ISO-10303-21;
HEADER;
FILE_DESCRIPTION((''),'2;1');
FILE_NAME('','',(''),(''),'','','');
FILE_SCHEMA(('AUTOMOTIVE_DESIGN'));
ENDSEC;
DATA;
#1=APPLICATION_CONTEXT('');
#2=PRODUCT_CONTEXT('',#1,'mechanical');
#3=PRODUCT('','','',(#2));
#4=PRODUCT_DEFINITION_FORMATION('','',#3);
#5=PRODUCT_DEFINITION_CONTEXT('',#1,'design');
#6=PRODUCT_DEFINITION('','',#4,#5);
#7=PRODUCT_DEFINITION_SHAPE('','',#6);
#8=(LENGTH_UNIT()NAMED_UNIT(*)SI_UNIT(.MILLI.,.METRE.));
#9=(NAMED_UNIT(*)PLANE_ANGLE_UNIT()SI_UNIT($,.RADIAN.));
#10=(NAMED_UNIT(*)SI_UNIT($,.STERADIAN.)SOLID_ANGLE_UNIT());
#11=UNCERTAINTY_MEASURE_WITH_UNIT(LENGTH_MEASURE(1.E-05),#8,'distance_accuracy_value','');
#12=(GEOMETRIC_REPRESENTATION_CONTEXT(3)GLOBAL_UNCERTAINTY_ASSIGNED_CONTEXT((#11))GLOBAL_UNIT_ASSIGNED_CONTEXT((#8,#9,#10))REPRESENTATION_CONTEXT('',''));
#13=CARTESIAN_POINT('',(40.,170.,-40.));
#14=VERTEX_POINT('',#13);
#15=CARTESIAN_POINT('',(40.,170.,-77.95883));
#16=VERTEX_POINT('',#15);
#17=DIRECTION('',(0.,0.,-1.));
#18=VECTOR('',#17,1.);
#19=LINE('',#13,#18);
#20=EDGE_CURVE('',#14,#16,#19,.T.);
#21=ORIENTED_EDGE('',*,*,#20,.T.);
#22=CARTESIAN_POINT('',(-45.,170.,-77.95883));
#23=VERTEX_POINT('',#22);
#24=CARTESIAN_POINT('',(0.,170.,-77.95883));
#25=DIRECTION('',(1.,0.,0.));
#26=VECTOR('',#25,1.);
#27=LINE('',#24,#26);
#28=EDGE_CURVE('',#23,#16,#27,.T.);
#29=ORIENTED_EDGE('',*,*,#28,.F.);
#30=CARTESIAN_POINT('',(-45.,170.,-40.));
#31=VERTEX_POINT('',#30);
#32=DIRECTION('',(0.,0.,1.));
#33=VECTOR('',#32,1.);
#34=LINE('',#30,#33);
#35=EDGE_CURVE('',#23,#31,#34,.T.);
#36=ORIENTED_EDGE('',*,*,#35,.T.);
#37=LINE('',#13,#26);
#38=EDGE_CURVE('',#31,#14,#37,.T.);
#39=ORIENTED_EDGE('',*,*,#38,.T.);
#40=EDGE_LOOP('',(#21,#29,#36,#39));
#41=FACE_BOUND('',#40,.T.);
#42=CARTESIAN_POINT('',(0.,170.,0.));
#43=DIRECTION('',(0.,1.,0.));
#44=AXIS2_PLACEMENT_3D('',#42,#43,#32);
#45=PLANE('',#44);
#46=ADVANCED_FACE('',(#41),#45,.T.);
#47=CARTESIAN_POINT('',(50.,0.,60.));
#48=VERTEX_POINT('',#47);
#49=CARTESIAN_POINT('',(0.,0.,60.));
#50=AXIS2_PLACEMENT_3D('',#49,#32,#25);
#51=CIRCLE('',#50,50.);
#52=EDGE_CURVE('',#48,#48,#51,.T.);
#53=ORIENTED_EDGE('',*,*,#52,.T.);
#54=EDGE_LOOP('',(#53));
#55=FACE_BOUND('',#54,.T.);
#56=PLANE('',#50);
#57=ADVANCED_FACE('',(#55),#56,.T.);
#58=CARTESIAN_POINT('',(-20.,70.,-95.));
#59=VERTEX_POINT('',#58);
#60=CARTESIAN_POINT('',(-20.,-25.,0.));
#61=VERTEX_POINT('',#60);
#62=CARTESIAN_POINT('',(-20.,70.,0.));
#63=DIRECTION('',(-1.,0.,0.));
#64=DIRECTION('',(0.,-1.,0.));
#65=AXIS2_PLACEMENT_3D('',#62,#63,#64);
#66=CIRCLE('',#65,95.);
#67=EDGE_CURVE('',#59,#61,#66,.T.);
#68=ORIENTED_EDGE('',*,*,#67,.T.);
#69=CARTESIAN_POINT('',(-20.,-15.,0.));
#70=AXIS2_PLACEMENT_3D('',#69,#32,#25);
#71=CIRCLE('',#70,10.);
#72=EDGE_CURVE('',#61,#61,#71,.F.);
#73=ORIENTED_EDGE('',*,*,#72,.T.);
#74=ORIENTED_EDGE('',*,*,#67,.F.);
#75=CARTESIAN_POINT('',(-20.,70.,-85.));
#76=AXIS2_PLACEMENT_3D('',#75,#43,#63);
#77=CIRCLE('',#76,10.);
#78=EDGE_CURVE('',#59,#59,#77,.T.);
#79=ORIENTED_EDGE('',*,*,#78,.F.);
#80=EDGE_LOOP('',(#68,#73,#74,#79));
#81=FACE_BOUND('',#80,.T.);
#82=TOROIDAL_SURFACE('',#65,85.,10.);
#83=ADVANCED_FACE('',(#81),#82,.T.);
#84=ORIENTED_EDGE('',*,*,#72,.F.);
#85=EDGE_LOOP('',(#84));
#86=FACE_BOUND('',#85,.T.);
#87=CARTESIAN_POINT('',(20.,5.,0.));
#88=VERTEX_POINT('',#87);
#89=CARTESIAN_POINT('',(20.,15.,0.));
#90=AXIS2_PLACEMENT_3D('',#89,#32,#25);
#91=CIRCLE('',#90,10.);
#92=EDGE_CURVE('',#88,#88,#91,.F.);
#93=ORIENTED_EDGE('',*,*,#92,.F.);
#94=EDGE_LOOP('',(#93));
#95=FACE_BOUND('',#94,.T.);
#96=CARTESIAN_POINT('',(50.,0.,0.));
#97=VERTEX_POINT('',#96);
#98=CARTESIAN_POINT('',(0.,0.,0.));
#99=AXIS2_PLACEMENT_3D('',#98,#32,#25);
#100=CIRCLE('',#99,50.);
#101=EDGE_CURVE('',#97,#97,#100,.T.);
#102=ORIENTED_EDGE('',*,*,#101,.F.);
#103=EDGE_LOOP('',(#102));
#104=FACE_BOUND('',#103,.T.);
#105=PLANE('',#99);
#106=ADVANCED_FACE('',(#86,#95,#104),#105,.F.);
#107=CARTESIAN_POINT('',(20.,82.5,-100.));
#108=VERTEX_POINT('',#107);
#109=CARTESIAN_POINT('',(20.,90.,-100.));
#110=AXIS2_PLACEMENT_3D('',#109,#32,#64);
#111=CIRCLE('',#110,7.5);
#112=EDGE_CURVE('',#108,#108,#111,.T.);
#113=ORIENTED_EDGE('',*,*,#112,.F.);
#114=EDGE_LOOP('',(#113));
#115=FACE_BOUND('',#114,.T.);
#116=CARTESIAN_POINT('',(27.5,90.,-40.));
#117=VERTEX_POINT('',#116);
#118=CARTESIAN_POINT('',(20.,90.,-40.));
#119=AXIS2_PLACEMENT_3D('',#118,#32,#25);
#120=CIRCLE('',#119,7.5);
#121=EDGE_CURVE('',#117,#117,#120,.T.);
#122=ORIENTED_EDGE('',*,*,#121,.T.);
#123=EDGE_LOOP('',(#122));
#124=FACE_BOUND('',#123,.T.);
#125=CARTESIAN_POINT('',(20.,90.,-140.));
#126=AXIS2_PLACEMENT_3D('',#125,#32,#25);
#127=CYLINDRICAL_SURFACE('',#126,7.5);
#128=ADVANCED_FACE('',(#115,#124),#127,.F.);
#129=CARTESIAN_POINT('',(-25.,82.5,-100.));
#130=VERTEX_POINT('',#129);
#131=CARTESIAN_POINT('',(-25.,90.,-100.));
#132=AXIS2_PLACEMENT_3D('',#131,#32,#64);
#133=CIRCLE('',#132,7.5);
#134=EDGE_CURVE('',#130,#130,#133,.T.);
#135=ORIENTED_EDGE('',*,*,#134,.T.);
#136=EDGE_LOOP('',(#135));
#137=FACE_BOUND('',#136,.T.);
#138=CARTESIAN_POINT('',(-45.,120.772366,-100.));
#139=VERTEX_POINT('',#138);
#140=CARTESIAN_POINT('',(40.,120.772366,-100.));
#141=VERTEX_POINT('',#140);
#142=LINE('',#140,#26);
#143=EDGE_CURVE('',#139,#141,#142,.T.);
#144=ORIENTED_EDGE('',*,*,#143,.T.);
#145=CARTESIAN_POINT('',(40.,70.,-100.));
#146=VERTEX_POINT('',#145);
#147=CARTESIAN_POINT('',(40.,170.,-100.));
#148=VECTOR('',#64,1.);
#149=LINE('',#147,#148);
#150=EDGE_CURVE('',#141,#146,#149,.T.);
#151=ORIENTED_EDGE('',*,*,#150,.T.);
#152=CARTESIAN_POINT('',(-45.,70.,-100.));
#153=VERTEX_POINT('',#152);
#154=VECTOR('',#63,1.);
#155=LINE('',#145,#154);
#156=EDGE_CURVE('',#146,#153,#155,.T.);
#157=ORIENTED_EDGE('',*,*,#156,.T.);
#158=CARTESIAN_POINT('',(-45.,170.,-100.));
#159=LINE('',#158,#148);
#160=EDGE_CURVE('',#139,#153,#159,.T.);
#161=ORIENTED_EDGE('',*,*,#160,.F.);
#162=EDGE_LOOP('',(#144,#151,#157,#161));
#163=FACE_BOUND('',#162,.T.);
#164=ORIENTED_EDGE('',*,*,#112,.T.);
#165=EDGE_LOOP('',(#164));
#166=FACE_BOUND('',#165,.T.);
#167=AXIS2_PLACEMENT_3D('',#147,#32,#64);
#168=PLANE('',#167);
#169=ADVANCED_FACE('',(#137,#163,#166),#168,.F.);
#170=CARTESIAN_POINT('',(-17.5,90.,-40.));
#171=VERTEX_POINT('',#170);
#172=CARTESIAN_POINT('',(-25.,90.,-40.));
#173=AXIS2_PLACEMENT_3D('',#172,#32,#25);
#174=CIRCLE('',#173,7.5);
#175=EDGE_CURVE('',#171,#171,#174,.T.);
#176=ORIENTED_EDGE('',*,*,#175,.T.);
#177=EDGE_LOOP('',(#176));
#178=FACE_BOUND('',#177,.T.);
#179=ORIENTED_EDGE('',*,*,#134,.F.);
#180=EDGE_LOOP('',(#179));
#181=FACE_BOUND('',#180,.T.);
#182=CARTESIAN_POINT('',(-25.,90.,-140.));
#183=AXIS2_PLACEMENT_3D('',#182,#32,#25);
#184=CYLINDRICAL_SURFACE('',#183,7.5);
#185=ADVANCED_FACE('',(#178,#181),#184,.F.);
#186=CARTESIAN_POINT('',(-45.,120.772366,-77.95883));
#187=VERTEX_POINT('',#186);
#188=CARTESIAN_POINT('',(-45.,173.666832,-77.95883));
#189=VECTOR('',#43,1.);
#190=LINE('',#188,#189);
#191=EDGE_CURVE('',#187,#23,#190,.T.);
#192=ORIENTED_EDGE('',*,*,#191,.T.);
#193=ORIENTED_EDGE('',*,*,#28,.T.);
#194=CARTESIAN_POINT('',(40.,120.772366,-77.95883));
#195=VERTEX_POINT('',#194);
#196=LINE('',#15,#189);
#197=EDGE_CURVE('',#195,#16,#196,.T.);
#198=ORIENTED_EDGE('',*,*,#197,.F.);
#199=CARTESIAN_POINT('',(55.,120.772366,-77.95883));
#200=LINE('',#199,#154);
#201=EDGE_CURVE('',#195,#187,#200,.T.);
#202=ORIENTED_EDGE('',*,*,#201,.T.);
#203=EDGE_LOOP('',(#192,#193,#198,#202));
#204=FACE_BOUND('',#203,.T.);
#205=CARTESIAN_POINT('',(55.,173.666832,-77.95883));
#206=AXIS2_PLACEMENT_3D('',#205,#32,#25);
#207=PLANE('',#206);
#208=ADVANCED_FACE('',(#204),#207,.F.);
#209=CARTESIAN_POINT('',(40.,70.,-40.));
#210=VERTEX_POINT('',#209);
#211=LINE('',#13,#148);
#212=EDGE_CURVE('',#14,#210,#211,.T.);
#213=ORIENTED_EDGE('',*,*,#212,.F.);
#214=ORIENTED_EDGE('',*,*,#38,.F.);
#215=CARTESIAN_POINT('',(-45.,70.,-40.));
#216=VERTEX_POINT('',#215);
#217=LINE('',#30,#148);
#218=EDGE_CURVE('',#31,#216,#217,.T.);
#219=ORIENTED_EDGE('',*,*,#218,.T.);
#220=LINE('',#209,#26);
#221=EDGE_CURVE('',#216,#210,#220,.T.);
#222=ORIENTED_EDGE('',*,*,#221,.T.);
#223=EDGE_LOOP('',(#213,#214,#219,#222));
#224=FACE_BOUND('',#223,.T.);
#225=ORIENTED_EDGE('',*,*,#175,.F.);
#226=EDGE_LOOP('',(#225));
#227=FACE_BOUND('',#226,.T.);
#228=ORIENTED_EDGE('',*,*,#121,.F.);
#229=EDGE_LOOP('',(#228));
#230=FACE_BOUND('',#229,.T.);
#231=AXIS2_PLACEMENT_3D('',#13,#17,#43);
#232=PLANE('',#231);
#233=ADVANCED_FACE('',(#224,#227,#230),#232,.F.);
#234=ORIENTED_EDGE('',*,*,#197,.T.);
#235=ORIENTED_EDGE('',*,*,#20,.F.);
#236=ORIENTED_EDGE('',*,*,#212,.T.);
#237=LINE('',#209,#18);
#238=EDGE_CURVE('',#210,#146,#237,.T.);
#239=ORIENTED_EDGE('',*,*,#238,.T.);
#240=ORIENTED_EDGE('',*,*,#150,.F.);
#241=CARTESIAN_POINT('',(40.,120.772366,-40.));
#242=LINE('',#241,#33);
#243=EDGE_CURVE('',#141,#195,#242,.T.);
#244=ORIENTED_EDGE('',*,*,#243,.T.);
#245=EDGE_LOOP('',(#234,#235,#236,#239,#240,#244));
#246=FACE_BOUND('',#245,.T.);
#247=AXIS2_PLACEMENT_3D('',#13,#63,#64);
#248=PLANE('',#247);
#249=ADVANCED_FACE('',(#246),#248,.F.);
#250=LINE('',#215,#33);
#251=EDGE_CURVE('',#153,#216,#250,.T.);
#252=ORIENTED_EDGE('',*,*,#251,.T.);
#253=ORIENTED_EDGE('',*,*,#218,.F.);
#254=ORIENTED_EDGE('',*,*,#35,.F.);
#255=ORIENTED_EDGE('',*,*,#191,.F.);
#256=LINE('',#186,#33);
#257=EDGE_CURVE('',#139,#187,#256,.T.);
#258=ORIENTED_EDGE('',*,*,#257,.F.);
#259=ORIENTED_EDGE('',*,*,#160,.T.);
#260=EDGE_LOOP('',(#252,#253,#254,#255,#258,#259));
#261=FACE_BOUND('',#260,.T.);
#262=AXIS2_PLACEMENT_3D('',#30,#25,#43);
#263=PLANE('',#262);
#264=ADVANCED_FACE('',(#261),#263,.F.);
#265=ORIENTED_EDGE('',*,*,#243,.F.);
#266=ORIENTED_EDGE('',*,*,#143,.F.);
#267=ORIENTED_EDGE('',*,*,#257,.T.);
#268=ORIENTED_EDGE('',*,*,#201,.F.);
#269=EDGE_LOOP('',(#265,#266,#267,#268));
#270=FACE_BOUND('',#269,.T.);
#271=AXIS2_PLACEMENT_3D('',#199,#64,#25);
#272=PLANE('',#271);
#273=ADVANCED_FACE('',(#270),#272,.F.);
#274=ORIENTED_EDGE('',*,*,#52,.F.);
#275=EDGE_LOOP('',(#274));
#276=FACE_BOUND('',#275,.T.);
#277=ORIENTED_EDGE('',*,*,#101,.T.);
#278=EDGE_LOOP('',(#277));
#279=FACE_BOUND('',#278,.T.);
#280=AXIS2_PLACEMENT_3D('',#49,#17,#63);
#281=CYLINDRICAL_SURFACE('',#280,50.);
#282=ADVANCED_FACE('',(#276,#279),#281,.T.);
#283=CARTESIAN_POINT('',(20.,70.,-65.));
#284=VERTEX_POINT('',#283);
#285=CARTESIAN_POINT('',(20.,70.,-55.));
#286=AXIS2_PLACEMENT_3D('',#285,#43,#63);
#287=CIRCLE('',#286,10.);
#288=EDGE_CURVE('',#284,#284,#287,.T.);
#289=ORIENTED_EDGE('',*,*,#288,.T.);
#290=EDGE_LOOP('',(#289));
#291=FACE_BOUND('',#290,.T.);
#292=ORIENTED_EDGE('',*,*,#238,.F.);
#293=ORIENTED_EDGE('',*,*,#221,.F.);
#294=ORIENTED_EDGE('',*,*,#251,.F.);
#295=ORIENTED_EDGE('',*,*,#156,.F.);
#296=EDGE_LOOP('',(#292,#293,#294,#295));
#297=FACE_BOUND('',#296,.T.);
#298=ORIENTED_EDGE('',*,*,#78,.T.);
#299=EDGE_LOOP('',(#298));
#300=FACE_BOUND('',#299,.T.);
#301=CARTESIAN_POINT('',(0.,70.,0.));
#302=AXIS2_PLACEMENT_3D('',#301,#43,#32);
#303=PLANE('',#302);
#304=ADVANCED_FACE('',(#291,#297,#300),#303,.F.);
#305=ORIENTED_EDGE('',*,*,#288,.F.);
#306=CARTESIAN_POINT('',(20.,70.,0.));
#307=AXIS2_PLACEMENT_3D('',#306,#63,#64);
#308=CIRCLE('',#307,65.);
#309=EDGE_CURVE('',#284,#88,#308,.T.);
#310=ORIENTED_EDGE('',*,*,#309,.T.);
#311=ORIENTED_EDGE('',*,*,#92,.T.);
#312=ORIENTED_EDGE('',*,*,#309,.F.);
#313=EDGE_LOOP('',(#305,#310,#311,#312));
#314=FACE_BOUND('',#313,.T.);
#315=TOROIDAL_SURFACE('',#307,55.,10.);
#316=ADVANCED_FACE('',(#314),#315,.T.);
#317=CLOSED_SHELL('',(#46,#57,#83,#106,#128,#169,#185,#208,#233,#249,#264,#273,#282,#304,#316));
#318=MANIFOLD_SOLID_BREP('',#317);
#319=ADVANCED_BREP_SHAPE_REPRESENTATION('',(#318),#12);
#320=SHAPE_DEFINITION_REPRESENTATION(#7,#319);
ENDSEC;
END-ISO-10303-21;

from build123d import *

# Parameters (mm, degrees)
SKICA1_R                 = 50
P_IDAT_VYSUNUT_M1_DEPTH  = 60
SKICA2_R                 = 10
ROTOVAT1_ANGLE           = 90
SKICA3_W                 = 85
SKICA3_H                 = 60
P_IDAT_VYSUNUT_M2_DEPTH  = 100
SKICA4_W                 = 26.634802258
SKICA4_H                 = 52.894466455
ODEBRAT_VYSUNUT_M2_DEPTH = 100
SKICA5_R                 = 7.5
ODEBRAT_VYSUNUT_M3_DEPTH = 100


with BuildPart() as part:
    # Skica1 → Přidat vysunutím1 (new body)
    with BuildSketch(Plane.XY):
        Circle(SKICA1_R)
    extrude(amount=P_IDAT_VYSUNUT_M1_DEPTH)

    # Skica2 → Rotovat1 (revolve)
    with BuildSketch(Plane(origin=(0, 0, 0), x_dir=(-1, 0, 0), z_dir=(0, 0, -1))):
        with Locations((20, -15)):
            Circle(SKICA2_R)
        with Locations((-20, 15)):
            Circle(SKICA2_R)
    revolve(axis=Axis((-92.809652782, 70, 0), (1, 0, 0)), revolution_arc=ROTOVAT1_ANGLE)

    # Skica3 → Přidat vysunutím2 (add)
    with BuildSketch(Plane(origin=(0, 70, 0), x_dir=(1, 0, 0), z_dir=(0, 1, 0))):
        with Locations((-2.5, 70)):
            Rectangle(SKICA3_W, SKICA3_H)
    extrude(amount=P_IDAT_VYSUNUT_M2_DEPTH)

    # Skica4 → Odebrat vysunutím2 (cut)
    with BuildSketch(Plane.ZY.offset(45)):
        with Locations((-91.276231393, 147.219598942)):
            Rectangle(SKICA4_W, SKICA4_H)
    extrude(amount=-ODEBRAT_VYSUNUT_M2_DEPTH, mode=Mode.SUBTRACT)

    # Skica5 → Odebrat vysunutím3 (cut)
    with BuildSketch(Plane.XY.offset(-40)):
        with Locations((20, 90)):
            Circle(SKICA5_R)
        with Locations((-25, 90)):
            Circle(SKICA5_R)
    extrude(amount=-ODEBRAT_VYSUNUT_M3_DEPTH, mode=Mode.SUBTRACT)


solid = part.part
